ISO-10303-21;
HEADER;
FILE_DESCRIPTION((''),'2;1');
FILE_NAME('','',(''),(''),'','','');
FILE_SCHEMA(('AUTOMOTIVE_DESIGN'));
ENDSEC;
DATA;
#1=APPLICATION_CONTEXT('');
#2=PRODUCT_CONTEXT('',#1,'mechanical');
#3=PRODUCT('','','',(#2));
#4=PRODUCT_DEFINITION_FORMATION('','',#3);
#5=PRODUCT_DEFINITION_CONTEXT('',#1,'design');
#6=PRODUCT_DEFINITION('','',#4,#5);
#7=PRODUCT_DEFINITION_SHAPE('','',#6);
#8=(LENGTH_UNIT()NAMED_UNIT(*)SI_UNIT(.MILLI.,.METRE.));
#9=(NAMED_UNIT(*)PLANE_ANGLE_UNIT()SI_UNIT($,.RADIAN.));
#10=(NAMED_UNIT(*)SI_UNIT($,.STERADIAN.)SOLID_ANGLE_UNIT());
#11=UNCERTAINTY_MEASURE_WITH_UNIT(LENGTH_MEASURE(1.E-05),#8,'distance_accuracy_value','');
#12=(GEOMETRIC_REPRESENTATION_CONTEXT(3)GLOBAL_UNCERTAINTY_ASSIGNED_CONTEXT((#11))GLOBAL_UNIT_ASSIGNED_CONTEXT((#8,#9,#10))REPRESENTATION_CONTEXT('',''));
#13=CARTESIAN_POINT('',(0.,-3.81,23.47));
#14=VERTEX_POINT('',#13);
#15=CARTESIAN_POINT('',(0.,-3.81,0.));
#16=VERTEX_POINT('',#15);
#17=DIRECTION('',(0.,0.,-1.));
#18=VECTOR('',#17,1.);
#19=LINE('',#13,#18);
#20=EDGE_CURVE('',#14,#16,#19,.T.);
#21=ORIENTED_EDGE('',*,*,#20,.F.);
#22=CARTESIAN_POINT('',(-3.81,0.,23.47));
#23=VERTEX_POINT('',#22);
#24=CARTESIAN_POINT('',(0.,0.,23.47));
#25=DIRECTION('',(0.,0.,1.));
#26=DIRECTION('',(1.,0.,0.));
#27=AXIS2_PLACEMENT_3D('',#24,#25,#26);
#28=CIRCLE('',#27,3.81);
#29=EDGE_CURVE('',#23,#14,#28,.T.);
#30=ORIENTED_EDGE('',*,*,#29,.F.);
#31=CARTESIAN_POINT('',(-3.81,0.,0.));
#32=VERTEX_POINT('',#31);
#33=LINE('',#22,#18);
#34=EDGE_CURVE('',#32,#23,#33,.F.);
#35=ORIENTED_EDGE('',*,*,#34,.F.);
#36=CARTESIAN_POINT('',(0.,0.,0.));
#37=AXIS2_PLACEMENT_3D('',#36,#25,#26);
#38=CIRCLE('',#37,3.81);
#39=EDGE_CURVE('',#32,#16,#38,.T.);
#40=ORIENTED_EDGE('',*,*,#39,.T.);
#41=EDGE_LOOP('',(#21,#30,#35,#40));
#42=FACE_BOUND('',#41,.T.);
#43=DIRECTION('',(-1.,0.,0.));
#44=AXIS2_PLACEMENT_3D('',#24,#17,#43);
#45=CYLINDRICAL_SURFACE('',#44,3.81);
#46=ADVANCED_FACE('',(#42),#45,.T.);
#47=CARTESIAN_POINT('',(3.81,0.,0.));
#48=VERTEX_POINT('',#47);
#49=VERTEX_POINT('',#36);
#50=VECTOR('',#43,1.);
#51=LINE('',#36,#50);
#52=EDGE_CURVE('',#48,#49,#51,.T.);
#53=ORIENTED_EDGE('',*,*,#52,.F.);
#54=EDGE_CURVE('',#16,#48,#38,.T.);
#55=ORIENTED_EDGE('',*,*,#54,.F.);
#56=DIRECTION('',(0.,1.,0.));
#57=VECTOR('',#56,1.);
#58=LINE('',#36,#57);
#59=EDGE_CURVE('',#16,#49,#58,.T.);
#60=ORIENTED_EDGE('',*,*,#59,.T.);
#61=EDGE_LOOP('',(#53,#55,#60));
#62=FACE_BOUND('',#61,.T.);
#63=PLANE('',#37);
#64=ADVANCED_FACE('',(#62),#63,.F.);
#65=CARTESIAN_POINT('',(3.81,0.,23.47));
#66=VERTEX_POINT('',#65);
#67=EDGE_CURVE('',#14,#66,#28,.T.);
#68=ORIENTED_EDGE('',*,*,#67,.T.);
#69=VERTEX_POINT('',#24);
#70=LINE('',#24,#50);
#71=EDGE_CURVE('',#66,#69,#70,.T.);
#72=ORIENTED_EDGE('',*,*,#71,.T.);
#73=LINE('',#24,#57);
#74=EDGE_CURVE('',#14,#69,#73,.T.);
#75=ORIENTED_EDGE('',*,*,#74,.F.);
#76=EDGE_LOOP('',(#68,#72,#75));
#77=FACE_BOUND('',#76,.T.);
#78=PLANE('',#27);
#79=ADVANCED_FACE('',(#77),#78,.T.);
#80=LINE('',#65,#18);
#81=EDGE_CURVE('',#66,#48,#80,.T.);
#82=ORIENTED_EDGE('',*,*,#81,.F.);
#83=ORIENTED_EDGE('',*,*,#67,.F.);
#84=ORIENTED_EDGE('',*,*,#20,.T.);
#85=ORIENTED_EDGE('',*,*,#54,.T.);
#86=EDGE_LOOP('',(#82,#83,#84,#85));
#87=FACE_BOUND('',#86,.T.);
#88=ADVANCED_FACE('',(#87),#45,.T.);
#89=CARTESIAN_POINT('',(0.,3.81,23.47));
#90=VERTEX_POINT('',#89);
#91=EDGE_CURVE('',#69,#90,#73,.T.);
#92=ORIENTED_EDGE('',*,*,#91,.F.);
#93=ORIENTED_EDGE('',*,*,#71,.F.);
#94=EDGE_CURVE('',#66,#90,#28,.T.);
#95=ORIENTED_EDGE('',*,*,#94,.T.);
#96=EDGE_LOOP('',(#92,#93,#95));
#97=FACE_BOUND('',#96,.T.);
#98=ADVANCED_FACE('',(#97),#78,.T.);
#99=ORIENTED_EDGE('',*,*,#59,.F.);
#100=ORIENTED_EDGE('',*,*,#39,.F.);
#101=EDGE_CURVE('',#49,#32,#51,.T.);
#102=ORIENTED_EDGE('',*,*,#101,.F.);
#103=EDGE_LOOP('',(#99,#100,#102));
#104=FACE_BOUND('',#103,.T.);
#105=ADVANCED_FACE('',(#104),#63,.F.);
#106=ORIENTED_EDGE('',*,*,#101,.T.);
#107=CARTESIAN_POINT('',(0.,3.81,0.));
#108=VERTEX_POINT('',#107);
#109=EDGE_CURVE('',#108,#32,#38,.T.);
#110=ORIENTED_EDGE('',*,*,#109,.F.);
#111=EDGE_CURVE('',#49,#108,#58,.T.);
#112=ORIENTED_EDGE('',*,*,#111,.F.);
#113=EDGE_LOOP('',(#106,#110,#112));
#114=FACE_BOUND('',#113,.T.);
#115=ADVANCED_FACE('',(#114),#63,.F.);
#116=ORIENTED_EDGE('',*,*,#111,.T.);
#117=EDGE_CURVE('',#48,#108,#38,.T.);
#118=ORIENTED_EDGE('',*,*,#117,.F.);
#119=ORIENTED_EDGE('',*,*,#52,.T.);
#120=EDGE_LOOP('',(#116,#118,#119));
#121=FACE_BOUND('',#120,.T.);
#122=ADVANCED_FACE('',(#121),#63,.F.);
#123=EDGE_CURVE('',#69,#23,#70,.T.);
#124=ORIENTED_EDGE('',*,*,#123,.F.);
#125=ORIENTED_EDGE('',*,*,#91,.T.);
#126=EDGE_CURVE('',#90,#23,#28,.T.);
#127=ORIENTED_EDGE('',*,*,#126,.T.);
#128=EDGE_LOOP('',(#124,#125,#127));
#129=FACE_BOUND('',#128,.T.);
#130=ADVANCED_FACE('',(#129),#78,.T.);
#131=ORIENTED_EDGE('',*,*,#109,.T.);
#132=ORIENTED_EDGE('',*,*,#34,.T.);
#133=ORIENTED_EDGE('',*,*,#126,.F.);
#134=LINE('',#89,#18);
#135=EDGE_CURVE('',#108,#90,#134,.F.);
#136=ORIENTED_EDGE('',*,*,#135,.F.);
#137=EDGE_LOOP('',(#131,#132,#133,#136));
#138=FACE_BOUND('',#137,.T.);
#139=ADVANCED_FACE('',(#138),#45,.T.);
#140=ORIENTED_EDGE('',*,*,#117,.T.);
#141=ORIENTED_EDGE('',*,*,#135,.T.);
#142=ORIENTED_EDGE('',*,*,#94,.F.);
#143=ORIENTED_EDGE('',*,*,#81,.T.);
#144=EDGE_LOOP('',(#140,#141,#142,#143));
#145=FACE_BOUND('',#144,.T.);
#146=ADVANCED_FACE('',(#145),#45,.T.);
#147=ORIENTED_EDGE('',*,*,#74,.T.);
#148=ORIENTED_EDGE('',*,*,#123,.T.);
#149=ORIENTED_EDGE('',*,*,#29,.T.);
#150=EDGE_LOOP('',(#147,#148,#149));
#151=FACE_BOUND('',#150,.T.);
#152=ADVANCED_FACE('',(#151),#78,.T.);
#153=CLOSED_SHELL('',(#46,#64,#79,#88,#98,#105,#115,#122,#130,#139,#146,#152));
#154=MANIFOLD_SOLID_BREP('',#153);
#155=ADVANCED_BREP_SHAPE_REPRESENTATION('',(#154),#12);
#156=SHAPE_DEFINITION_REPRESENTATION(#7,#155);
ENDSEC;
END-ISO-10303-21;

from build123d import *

# Parameters (mm, degrees)
SKETCH1_R      = 3.81
EXTRUDE1_DEPTH = 23.47


with BuildPart() as part:
    # Sketch1 → Extrude1 (new body)
    with BuildSketch(Plane.XY):
        Circle(SKETCH1_R)
    extrude(amount=EXTRUDE1_DEPTH)


solid = part.part
